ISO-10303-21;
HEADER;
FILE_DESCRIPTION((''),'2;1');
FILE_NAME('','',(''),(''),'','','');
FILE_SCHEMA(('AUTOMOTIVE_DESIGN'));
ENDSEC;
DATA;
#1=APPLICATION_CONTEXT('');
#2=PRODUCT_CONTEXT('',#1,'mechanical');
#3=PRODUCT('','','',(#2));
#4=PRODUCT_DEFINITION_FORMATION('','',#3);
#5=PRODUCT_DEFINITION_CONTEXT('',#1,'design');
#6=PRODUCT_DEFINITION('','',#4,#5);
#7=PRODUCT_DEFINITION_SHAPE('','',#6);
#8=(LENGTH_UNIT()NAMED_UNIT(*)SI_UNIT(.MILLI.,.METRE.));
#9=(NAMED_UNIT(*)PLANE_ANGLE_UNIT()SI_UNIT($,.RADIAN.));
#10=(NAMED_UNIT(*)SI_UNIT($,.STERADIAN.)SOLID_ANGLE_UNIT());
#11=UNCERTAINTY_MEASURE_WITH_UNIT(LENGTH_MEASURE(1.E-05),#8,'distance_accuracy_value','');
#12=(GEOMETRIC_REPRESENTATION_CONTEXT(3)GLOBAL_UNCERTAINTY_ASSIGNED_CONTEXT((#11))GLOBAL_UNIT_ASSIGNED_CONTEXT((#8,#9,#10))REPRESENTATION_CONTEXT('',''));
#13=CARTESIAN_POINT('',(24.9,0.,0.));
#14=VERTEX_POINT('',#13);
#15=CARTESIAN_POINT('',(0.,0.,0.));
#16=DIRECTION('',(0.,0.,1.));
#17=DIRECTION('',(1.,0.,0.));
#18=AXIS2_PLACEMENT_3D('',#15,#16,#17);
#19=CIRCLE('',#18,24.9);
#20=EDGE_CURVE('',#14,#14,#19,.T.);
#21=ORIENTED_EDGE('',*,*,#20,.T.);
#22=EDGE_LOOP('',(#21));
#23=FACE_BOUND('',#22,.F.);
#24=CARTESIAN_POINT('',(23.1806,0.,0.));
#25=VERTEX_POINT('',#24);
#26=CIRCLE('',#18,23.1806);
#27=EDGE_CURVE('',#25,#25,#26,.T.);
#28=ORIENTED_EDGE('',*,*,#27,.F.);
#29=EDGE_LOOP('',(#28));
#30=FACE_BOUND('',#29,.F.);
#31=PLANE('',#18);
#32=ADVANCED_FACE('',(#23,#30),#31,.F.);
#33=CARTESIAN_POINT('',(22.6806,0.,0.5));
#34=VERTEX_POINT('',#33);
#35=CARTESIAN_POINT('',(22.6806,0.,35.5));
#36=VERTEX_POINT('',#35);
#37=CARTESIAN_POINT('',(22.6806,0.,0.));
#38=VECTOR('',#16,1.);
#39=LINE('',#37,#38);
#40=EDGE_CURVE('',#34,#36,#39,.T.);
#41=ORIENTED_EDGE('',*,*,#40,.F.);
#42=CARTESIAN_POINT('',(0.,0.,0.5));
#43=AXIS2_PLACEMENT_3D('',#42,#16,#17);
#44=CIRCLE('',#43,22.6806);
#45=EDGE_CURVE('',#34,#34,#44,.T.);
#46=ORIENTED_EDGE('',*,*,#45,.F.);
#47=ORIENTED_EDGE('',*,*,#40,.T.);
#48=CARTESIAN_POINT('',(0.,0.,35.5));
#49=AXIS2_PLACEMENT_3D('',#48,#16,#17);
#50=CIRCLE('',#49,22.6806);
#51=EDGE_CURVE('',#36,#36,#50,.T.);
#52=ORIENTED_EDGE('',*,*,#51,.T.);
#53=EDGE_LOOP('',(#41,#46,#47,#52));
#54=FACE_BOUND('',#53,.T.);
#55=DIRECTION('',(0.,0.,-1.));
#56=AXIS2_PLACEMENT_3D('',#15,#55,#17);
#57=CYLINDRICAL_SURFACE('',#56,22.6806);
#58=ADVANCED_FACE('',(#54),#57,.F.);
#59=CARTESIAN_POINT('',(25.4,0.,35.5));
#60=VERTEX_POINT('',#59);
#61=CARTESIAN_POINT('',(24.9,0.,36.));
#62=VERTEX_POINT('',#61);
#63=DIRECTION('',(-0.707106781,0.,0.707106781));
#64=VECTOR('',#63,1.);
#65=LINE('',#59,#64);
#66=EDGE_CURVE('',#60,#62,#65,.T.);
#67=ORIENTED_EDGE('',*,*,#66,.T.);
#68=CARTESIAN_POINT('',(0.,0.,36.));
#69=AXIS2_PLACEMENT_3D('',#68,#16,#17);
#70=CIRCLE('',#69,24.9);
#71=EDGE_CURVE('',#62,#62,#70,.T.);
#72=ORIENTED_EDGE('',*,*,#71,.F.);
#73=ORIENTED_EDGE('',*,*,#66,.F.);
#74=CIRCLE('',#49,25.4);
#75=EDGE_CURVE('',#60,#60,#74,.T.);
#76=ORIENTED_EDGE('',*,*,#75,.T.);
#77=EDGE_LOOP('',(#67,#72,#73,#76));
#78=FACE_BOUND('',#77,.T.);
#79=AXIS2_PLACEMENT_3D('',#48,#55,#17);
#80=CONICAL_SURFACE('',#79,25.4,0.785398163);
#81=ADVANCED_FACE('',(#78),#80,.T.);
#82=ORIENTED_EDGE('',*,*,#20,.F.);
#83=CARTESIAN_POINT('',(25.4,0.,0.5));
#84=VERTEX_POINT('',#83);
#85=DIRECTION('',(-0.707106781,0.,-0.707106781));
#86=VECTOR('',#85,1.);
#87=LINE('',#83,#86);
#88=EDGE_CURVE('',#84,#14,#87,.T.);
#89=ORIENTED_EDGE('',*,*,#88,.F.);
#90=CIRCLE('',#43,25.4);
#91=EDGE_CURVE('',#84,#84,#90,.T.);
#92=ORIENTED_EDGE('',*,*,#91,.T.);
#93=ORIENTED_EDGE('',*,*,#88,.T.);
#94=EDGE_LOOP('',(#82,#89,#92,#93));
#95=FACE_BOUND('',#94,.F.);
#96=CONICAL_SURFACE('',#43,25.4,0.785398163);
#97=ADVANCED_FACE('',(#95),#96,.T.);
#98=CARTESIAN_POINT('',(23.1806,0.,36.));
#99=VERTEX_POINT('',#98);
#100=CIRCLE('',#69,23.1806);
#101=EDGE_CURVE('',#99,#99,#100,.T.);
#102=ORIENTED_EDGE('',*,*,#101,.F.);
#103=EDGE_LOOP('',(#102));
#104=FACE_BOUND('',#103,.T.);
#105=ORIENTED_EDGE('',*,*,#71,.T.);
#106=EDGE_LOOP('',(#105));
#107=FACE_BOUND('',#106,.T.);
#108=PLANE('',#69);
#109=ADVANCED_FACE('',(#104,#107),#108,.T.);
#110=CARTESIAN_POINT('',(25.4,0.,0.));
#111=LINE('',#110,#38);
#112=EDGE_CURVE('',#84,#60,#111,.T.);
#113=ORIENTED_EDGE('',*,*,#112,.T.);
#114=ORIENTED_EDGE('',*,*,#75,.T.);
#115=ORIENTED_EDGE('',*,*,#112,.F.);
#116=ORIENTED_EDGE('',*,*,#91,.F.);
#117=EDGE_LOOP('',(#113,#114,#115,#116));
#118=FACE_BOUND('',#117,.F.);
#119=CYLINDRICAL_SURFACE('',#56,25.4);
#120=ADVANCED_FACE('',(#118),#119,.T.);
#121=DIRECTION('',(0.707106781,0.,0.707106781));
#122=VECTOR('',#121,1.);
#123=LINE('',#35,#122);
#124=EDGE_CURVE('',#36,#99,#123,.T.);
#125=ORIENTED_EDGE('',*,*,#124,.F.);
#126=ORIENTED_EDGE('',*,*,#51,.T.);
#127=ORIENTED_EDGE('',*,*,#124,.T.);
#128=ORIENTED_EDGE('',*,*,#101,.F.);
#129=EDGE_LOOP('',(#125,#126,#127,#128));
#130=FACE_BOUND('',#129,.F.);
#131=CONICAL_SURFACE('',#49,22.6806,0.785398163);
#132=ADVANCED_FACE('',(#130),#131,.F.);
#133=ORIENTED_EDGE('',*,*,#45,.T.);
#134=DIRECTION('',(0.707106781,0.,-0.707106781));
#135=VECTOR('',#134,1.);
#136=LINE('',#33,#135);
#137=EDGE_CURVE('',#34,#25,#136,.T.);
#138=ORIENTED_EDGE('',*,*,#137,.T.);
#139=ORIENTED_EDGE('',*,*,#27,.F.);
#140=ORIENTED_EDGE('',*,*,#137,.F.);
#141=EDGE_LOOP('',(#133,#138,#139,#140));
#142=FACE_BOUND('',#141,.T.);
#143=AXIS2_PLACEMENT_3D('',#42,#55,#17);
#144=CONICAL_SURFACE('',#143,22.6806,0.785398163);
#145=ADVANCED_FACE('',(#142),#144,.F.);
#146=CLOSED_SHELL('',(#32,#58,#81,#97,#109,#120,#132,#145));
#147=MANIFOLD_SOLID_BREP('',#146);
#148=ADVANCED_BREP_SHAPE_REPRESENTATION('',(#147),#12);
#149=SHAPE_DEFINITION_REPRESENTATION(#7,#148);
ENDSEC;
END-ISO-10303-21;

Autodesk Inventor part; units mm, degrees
ref_plane "YZ Plane" through (0, 0, 0) normal (1, 0, 0) x (0, 1, 0)
ref_plane "XZ Plane" through (0, 0, 0) normal (0, 1, 0) x (-1, 0, 0)
ref_plane "XY Plane" through (0, 0, 0) normal (0, 0, 1) x (1, 0, 0)
sketch "草图1" plane through (0, 0, 0) normal (0, 0, 1) x (1, 0, 0)
  circle A0 centre (0, 0) radius 25.4
  circle A1 centre (0, 0) radius 22.6806
extrude "拉伸1" add sketch "草图1" along normal blind 36
chamfer "倒角1" distance 0.5 angle 45 4 edges at (-22.6806, 0, 36) (-22.6806, 0, 0) (-25.4, 0, 36) (-25.4, 0, 0)
properties part number "my_attempt_v2"
